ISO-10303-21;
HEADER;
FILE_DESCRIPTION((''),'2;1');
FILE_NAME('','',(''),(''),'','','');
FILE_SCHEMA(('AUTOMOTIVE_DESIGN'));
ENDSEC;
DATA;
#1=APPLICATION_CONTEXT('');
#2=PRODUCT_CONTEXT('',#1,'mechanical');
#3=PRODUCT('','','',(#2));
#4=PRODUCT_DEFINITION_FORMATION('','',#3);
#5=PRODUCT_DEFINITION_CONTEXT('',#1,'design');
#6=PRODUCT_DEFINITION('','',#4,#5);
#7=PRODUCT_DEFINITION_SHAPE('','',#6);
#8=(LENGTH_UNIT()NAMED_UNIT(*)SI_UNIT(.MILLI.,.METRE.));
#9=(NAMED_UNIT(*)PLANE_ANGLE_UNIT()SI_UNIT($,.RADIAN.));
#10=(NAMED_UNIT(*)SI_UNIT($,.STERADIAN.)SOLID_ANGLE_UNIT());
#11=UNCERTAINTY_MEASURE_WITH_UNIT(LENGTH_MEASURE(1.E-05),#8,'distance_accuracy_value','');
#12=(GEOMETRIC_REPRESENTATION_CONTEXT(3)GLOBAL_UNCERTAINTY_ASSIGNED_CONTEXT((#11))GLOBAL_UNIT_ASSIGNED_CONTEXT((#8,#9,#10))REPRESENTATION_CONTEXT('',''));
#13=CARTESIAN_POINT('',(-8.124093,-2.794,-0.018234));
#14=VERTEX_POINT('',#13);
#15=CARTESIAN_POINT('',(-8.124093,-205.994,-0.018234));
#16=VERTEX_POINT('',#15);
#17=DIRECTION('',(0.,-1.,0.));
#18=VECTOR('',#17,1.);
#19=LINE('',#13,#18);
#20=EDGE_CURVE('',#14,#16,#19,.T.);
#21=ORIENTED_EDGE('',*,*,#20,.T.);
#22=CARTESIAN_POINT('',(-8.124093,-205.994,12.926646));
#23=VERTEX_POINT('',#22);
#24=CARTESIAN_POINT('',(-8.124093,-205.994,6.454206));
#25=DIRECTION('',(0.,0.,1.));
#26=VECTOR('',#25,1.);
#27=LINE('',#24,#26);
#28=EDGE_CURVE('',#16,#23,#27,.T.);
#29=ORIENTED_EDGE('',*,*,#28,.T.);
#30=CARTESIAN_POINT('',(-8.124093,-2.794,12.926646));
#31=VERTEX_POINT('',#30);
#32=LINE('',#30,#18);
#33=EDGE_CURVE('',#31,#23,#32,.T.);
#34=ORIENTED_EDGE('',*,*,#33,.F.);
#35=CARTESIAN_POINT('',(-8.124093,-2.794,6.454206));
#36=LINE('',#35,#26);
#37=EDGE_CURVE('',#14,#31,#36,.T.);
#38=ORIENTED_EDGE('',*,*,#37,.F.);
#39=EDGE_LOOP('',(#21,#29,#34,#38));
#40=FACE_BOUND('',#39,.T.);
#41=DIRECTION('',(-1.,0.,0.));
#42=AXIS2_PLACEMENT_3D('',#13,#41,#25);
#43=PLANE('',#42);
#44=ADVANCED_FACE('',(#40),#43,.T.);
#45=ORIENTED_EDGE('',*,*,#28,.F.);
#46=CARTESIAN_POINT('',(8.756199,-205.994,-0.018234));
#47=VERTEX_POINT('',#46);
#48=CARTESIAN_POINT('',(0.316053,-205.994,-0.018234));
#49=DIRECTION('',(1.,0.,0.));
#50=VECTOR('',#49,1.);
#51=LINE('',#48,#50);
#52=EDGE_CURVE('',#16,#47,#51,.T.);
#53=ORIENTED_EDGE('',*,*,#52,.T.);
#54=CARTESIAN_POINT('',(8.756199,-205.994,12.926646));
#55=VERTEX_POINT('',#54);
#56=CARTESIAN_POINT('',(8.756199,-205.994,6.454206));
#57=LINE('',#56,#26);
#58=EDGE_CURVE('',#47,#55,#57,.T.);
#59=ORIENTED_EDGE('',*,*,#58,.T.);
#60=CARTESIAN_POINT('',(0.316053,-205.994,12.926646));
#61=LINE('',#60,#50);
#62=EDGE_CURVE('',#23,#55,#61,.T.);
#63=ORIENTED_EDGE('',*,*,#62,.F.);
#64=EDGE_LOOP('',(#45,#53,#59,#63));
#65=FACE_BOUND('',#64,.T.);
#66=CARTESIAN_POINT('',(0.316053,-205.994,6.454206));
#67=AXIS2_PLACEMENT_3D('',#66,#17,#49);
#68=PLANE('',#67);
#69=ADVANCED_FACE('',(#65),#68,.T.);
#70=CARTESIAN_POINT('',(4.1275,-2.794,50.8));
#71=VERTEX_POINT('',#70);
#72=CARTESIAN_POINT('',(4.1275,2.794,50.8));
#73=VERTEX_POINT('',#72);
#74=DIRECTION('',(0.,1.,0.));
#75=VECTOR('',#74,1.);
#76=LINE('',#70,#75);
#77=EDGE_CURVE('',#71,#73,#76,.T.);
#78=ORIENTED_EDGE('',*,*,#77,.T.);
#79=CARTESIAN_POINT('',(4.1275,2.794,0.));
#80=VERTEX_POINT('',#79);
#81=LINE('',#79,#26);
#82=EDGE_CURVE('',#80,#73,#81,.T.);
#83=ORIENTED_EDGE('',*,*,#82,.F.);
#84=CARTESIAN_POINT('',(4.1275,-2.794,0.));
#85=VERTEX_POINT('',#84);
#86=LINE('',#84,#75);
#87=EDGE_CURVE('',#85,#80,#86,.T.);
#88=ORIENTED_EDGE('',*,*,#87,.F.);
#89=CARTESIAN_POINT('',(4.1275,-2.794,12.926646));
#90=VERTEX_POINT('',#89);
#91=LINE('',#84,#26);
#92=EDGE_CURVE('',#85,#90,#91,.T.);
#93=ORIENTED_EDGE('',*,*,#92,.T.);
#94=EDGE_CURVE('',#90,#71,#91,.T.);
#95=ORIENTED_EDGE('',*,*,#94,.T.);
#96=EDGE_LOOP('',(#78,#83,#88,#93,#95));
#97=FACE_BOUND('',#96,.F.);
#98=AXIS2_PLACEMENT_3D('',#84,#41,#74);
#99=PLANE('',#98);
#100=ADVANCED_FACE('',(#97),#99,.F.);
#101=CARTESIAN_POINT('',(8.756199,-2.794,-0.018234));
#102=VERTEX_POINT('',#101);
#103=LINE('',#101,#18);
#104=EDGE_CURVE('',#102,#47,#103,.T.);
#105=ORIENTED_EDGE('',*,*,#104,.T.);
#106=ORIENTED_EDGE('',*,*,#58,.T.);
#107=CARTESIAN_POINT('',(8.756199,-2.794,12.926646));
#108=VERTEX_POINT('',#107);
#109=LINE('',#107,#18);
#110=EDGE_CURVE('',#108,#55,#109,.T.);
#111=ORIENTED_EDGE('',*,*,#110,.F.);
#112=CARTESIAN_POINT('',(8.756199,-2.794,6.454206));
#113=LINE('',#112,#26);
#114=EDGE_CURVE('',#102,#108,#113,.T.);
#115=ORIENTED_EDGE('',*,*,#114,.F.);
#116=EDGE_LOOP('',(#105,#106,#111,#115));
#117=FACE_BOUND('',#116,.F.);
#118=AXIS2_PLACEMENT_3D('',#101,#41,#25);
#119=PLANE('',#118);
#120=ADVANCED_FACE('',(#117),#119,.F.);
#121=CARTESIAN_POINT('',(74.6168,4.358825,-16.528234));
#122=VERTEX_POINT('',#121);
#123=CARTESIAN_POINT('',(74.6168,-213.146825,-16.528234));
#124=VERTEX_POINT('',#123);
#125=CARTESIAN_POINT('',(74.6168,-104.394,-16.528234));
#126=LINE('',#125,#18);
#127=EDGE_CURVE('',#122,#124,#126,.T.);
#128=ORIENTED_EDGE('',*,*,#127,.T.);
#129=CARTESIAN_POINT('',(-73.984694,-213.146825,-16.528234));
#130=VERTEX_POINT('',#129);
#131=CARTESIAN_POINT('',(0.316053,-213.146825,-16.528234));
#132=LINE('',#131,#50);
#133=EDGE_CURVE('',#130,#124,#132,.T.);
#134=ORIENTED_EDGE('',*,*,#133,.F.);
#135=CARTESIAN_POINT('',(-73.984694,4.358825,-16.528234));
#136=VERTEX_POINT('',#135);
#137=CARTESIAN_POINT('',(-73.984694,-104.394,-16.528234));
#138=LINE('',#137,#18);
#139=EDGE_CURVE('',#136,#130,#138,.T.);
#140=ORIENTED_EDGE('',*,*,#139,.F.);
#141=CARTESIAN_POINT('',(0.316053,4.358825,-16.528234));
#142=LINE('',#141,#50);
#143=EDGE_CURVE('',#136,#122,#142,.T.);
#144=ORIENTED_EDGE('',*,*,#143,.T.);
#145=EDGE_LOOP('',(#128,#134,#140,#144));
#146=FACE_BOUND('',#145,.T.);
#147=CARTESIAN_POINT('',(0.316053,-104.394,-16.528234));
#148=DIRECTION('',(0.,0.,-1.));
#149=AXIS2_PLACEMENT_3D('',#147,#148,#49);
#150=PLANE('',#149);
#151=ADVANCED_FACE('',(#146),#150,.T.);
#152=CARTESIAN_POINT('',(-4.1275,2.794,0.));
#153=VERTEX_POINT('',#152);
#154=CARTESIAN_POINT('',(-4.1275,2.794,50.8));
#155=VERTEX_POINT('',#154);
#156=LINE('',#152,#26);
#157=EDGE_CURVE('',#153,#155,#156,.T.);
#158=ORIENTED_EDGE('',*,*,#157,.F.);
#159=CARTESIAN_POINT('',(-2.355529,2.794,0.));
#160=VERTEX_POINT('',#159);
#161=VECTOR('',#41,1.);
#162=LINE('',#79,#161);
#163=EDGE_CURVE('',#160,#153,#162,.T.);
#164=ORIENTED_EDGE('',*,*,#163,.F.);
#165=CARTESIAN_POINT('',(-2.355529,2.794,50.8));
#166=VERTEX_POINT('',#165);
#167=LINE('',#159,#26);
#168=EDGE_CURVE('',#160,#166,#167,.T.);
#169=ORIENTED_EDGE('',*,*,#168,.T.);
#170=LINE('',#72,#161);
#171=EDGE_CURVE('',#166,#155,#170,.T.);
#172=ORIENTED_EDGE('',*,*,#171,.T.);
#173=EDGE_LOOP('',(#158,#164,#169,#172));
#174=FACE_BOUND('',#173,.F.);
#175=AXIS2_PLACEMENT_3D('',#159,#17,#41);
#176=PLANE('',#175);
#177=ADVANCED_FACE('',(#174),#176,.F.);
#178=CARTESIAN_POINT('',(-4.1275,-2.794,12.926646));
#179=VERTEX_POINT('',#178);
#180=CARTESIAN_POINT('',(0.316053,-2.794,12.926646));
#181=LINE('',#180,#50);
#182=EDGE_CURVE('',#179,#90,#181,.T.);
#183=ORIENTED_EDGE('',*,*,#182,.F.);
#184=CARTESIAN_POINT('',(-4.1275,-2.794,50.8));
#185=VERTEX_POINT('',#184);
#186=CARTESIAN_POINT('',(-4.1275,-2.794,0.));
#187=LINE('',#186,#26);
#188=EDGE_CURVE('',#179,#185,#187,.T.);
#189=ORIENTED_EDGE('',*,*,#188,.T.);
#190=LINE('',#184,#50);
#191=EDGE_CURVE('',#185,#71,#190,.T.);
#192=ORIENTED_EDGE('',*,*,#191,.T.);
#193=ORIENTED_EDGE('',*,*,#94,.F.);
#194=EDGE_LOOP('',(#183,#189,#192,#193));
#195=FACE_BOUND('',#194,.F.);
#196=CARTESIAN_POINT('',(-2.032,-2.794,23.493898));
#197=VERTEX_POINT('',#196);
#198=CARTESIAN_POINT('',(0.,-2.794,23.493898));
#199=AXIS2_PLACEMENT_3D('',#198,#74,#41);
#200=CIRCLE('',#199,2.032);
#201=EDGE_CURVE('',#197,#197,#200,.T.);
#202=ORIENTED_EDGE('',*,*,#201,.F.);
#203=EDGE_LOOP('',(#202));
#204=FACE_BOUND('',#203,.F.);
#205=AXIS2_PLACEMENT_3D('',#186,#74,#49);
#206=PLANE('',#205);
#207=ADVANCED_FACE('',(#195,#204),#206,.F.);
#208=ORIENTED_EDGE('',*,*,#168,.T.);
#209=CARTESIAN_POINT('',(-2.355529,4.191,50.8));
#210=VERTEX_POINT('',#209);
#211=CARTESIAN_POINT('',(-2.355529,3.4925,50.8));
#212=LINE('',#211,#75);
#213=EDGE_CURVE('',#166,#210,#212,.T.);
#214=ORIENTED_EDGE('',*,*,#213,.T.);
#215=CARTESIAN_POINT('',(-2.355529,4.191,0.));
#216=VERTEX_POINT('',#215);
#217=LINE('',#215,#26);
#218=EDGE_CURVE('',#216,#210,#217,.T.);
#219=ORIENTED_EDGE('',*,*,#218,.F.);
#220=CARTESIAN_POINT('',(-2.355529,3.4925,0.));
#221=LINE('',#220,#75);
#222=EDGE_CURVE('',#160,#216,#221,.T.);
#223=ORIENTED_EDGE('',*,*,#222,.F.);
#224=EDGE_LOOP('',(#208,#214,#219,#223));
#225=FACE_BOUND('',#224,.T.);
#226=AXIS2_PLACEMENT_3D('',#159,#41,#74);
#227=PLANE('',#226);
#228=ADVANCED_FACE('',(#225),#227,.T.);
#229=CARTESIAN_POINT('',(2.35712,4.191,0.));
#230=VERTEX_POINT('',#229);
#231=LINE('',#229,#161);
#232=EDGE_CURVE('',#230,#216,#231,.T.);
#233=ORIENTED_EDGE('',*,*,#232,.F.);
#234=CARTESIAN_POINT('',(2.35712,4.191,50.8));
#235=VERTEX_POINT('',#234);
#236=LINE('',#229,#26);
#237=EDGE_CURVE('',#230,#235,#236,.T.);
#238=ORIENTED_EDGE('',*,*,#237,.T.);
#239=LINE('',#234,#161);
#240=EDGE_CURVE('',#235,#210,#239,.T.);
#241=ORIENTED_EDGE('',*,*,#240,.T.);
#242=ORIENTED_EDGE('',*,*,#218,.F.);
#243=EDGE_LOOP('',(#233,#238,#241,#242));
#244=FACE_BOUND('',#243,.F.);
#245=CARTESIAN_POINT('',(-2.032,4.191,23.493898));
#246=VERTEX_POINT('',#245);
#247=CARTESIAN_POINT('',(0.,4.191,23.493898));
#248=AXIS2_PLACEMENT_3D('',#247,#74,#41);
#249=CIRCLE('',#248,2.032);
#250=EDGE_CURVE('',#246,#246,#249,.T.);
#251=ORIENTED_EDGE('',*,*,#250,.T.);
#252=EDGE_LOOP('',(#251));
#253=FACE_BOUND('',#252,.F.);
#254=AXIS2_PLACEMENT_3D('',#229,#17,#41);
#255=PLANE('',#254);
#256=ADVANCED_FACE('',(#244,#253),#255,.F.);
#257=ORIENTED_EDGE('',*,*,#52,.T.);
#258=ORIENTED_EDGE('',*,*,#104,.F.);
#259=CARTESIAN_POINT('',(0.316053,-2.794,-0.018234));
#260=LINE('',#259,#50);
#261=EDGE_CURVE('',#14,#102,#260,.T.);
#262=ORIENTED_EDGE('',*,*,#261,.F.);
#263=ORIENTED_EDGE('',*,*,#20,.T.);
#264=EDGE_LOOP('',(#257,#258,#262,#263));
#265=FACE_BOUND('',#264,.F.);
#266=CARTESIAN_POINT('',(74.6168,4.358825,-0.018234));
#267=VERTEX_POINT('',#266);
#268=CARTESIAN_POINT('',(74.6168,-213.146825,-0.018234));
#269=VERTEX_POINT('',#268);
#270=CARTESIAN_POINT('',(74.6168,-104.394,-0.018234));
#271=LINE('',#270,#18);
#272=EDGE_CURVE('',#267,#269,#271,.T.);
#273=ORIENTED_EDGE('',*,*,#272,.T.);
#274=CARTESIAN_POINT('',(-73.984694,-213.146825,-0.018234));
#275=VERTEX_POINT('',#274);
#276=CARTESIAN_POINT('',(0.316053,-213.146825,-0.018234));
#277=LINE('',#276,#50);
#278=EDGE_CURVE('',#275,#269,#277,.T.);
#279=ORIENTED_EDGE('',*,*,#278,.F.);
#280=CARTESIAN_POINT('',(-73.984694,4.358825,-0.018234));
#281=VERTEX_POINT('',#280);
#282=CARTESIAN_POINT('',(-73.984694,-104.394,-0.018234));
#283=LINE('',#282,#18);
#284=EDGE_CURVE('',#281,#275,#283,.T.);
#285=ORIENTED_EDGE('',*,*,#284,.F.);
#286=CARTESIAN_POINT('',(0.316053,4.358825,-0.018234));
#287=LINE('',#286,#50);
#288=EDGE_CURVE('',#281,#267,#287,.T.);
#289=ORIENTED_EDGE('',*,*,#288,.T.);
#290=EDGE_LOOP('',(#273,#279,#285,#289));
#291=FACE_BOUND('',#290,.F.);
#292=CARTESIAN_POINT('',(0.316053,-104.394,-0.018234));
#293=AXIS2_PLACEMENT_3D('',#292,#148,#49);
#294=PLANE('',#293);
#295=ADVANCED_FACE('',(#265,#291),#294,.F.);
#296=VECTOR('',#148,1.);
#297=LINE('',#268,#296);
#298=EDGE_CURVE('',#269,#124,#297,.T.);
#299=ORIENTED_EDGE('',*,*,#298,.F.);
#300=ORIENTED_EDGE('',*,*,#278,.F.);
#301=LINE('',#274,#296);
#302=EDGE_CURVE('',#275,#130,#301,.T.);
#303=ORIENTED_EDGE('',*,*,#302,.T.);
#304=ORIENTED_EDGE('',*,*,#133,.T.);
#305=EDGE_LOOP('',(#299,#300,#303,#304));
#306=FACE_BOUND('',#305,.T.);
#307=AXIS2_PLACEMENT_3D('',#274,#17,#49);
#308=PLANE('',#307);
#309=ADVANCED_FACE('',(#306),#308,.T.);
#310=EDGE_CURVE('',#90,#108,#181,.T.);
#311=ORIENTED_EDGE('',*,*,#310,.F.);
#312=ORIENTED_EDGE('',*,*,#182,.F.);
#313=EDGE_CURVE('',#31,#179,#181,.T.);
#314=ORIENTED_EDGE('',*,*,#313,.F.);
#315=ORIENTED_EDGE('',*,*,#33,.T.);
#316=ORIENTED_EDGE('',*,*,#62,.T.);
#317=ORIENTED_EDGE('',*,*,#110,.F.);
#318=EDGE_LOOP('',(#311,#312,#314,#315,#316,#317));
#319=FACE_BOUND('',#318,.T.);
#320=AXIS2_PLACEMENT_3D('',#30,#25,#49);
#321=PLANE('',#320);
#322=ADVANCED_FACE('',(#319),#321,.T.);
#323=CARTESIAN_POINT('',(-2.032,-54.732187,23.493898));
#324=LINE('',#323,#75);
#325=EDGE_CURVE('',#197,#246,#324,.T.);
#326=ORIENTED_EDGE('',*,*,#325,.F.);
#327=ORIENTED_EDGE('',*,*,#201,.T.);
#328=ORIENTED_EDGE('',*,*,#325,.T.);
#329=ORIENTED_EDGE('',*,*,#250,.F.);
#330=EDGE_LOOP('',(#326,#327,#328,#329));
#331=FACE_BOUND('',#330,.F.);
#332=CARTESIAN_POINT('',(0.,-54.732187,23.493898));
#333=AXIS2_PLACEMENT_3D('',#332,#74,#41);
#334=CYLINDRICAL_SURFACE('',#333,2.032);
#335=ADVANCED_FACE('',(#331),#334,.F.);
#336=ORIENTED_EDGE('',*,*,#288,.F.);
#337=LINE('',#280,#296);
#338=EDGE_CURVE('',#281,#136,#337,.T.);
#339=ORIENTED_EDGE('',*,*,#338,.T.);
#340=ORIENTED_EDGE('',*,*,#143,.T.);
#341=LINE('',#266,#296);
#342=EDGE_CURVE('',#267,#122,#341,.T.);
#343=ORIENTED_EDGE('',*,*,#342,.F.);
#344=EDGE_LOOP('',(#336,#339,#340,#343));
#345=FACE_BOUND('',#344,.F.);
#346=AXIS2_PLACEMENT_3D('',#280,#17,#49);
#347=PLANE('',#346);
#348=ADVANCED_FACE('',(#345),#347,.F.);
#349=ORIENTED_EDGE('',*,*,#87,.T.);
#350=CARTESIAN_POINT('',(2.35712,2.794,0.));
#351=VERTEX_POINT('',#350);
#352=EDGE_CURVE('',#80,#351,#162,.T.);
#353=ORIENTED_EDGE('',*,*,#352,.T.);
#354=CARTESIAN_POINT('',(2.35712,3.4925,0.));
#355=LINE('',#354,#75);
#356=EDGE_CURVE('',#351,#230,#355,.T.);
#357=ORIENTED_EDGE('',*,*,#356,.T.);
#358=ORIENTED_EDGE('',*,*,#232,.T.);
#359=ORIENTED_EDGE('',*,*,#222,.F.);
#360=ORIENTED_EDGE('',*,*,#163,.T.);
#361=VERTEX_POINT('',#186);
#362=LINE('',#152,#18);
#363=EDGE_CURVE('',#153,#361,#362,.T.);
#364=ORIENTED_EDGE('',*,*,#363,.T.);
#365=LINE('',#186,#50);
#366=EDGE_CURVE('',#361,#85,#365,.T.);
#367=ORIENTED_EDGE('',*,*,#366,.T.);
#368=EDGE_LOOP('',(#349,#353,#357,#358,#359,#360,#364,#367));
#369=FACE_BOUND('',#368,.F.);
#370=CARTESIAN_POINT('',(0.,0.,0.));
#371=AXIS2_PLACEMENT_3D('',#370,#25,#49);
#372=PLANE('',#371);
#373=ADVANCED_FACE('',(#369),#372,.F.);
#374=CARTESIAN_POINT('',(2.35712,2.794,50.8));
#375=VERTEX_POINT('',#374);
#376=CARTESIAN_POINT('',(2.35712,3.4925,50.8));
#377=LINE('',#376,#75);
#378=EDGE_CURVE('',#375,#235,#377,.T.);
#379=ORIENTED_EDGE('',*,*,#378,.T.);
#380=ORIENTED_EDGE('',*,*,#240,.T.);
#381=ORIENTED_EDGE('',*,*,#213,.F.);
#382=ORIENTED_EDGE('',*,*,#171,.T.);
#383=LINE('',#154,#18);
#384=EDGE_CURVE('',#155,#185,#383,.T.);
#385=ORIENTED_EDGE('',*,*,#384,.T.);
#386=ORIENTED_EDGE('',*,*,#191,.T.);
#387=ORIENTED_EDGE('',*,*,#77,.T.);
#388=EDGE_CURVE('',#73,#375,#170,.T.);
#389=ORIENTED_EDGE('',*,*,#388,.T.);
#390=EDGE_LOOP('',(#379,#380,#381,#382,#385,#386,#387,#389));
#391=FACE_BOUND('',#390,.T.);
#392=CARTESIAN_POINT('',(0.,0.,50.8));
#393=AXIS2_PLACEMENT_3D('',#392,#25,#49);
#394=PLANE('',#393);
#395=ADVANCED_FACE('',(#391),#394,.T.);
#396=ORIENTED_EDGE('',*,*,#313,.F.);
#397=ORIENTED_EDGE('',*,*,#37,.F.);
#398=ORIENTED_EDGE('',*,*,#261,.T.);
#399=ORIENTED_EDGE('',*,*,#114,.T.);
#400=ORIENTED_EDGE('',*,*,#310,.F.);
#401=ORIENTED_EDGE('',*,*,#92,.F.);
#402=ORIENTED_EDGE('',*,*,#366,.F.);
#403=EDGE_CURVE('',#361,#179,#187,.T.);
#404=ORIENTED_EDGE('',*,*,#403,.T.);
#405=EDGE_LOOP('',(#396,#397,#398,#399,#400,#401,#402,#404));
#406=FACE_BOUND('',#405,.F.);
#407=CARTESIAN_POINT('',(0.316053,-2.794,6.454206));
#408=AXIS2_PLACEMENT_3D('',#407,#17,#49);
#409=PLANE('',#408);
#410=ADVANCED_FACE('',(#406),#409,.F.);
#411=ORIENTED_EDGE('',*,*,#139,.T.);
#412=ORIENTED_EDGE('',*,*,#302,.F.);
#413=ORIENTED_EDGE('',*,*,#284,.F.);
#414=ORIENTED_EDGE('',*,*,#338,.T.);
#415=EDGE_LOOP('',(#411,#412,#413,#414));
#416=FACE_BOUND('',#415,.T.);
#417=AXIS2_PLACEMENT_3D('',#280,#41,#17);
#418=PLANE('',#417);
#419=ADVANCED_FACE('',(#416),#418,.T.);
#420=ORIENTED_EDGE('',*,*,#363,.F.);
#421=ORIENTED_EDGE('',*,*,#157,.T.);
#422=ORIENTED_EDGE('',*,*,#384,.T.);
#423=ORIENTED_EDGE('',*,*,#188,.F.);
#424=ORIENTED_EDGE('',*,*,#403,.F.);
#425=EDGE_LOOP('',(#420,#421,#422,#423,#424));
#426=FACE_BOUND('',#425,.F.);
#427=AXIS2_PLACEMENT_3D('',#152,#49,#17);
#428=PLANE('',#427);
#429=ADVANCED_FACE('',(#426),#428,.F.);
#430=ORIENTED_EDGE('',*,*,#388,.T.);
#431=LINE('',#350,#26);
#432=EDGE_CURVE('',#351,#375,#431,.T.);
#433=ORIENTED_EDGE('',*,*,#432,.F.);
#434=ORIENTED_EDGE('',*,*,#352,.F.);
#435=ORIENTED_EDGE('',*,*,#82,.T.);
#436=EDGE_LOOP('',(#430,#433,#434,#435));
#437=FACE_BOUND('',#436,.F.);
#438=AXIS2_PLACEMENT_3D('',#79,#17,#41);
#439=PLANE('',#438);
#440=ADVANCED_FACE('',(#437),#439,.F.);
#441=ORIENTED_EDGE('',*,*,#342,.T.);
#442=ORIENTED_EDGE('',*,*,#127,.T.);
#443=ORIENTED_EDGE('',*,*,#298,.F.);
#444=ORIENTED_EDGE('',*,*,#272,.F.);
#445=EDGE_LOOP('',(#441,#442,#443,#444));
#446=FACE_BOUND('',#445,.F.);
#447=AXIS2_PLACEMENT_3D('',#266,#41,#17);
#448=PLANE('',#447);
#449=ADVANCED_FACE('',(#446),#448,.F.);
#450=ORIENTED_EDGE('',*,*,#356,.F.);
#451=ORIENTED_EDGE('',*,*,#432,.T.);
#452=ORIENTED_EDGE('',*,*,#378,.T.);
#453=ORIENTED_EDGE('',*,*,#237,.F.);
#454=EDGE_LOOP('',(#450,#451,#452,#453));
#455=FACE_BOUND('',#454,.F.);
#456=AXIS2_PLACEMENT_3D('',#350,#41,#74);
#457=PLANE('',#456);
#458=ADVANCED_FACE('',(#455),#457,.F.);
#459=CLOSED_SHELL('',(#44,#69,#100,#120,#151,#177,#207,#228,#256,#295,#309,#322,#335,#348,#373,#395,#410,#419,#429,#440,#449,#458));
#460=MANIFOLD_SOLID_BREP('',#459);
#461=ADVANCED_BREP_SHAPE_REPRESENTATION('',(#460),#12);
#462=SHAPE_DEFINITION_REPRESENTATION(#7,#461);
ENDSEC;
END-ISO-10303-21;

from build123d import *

# Parameters (mm, degrees)
F0_W     = 2.342829
F0_H     = 1.397
F0_W_2   = 2.34442
F1_DEPTH = 50.8
F3_D     = 4.064
F4_W     = 16.880292
F4_H     = 12.94488
F5_DEPTH = 203.2
F6_W     = 148.601494
F6_H     = 217.50565
F7_DEPTH = 16.51


with BuildPart() as f1:
    # F0 (on Top) → F1 (new body)
    with BuildSketch(Plane.XY):
        Polygon((-4.1275, -2.794), (4.1275, -2.794), (4.1275, 2.794), (2.9845, 2.794), (2.35712, 2.794), (0.0127, 2.794), (-0.0127, 2.794), (-2.355529, 2.794), (-4.1275, 2.794), align=None)
        with Locations((-1.184114, 3.4925)):
            Rectangle(F0_W, F0_H)
        with Locations((1.18491, 3.4925)):
            Rectangle(F0_W_2, F0_H)
        Polygon((-0.0127, 4.191), (-0.0127, 2.794), (0.0127, 2.794), (0.0127, 4.191), (0, 4.191), align=None)
    extrude(amount=F1_DEPTH)

    # F3 (through all)
    with Locations(Plane.XZ.offset(2.794)):
        with Locations((0, 23.493898)):
            Hole(F3_D / 2)

    # F4 (on face) → F5 (join)
    with BuildSketch(Plane.XZ.offset(2.794)):
        with Locations((0.316053, 6.454206)):
            Rectangle(F4_W, F4_H)
    extrude(amount=F5_DEPTH)

    # F6 (on face) → F7 (join)
    with BuildSketch(Plane(origin=(0, 0, -0.018234), x_dir=(1, 0, 0), z_dir=(0, 0, -1))):
        with Locations((0.316053, 104.394)):
            Rectangle(F6_W, F6_H)
    extrude(amount=F7_DEPTH)


solid = f1.part
